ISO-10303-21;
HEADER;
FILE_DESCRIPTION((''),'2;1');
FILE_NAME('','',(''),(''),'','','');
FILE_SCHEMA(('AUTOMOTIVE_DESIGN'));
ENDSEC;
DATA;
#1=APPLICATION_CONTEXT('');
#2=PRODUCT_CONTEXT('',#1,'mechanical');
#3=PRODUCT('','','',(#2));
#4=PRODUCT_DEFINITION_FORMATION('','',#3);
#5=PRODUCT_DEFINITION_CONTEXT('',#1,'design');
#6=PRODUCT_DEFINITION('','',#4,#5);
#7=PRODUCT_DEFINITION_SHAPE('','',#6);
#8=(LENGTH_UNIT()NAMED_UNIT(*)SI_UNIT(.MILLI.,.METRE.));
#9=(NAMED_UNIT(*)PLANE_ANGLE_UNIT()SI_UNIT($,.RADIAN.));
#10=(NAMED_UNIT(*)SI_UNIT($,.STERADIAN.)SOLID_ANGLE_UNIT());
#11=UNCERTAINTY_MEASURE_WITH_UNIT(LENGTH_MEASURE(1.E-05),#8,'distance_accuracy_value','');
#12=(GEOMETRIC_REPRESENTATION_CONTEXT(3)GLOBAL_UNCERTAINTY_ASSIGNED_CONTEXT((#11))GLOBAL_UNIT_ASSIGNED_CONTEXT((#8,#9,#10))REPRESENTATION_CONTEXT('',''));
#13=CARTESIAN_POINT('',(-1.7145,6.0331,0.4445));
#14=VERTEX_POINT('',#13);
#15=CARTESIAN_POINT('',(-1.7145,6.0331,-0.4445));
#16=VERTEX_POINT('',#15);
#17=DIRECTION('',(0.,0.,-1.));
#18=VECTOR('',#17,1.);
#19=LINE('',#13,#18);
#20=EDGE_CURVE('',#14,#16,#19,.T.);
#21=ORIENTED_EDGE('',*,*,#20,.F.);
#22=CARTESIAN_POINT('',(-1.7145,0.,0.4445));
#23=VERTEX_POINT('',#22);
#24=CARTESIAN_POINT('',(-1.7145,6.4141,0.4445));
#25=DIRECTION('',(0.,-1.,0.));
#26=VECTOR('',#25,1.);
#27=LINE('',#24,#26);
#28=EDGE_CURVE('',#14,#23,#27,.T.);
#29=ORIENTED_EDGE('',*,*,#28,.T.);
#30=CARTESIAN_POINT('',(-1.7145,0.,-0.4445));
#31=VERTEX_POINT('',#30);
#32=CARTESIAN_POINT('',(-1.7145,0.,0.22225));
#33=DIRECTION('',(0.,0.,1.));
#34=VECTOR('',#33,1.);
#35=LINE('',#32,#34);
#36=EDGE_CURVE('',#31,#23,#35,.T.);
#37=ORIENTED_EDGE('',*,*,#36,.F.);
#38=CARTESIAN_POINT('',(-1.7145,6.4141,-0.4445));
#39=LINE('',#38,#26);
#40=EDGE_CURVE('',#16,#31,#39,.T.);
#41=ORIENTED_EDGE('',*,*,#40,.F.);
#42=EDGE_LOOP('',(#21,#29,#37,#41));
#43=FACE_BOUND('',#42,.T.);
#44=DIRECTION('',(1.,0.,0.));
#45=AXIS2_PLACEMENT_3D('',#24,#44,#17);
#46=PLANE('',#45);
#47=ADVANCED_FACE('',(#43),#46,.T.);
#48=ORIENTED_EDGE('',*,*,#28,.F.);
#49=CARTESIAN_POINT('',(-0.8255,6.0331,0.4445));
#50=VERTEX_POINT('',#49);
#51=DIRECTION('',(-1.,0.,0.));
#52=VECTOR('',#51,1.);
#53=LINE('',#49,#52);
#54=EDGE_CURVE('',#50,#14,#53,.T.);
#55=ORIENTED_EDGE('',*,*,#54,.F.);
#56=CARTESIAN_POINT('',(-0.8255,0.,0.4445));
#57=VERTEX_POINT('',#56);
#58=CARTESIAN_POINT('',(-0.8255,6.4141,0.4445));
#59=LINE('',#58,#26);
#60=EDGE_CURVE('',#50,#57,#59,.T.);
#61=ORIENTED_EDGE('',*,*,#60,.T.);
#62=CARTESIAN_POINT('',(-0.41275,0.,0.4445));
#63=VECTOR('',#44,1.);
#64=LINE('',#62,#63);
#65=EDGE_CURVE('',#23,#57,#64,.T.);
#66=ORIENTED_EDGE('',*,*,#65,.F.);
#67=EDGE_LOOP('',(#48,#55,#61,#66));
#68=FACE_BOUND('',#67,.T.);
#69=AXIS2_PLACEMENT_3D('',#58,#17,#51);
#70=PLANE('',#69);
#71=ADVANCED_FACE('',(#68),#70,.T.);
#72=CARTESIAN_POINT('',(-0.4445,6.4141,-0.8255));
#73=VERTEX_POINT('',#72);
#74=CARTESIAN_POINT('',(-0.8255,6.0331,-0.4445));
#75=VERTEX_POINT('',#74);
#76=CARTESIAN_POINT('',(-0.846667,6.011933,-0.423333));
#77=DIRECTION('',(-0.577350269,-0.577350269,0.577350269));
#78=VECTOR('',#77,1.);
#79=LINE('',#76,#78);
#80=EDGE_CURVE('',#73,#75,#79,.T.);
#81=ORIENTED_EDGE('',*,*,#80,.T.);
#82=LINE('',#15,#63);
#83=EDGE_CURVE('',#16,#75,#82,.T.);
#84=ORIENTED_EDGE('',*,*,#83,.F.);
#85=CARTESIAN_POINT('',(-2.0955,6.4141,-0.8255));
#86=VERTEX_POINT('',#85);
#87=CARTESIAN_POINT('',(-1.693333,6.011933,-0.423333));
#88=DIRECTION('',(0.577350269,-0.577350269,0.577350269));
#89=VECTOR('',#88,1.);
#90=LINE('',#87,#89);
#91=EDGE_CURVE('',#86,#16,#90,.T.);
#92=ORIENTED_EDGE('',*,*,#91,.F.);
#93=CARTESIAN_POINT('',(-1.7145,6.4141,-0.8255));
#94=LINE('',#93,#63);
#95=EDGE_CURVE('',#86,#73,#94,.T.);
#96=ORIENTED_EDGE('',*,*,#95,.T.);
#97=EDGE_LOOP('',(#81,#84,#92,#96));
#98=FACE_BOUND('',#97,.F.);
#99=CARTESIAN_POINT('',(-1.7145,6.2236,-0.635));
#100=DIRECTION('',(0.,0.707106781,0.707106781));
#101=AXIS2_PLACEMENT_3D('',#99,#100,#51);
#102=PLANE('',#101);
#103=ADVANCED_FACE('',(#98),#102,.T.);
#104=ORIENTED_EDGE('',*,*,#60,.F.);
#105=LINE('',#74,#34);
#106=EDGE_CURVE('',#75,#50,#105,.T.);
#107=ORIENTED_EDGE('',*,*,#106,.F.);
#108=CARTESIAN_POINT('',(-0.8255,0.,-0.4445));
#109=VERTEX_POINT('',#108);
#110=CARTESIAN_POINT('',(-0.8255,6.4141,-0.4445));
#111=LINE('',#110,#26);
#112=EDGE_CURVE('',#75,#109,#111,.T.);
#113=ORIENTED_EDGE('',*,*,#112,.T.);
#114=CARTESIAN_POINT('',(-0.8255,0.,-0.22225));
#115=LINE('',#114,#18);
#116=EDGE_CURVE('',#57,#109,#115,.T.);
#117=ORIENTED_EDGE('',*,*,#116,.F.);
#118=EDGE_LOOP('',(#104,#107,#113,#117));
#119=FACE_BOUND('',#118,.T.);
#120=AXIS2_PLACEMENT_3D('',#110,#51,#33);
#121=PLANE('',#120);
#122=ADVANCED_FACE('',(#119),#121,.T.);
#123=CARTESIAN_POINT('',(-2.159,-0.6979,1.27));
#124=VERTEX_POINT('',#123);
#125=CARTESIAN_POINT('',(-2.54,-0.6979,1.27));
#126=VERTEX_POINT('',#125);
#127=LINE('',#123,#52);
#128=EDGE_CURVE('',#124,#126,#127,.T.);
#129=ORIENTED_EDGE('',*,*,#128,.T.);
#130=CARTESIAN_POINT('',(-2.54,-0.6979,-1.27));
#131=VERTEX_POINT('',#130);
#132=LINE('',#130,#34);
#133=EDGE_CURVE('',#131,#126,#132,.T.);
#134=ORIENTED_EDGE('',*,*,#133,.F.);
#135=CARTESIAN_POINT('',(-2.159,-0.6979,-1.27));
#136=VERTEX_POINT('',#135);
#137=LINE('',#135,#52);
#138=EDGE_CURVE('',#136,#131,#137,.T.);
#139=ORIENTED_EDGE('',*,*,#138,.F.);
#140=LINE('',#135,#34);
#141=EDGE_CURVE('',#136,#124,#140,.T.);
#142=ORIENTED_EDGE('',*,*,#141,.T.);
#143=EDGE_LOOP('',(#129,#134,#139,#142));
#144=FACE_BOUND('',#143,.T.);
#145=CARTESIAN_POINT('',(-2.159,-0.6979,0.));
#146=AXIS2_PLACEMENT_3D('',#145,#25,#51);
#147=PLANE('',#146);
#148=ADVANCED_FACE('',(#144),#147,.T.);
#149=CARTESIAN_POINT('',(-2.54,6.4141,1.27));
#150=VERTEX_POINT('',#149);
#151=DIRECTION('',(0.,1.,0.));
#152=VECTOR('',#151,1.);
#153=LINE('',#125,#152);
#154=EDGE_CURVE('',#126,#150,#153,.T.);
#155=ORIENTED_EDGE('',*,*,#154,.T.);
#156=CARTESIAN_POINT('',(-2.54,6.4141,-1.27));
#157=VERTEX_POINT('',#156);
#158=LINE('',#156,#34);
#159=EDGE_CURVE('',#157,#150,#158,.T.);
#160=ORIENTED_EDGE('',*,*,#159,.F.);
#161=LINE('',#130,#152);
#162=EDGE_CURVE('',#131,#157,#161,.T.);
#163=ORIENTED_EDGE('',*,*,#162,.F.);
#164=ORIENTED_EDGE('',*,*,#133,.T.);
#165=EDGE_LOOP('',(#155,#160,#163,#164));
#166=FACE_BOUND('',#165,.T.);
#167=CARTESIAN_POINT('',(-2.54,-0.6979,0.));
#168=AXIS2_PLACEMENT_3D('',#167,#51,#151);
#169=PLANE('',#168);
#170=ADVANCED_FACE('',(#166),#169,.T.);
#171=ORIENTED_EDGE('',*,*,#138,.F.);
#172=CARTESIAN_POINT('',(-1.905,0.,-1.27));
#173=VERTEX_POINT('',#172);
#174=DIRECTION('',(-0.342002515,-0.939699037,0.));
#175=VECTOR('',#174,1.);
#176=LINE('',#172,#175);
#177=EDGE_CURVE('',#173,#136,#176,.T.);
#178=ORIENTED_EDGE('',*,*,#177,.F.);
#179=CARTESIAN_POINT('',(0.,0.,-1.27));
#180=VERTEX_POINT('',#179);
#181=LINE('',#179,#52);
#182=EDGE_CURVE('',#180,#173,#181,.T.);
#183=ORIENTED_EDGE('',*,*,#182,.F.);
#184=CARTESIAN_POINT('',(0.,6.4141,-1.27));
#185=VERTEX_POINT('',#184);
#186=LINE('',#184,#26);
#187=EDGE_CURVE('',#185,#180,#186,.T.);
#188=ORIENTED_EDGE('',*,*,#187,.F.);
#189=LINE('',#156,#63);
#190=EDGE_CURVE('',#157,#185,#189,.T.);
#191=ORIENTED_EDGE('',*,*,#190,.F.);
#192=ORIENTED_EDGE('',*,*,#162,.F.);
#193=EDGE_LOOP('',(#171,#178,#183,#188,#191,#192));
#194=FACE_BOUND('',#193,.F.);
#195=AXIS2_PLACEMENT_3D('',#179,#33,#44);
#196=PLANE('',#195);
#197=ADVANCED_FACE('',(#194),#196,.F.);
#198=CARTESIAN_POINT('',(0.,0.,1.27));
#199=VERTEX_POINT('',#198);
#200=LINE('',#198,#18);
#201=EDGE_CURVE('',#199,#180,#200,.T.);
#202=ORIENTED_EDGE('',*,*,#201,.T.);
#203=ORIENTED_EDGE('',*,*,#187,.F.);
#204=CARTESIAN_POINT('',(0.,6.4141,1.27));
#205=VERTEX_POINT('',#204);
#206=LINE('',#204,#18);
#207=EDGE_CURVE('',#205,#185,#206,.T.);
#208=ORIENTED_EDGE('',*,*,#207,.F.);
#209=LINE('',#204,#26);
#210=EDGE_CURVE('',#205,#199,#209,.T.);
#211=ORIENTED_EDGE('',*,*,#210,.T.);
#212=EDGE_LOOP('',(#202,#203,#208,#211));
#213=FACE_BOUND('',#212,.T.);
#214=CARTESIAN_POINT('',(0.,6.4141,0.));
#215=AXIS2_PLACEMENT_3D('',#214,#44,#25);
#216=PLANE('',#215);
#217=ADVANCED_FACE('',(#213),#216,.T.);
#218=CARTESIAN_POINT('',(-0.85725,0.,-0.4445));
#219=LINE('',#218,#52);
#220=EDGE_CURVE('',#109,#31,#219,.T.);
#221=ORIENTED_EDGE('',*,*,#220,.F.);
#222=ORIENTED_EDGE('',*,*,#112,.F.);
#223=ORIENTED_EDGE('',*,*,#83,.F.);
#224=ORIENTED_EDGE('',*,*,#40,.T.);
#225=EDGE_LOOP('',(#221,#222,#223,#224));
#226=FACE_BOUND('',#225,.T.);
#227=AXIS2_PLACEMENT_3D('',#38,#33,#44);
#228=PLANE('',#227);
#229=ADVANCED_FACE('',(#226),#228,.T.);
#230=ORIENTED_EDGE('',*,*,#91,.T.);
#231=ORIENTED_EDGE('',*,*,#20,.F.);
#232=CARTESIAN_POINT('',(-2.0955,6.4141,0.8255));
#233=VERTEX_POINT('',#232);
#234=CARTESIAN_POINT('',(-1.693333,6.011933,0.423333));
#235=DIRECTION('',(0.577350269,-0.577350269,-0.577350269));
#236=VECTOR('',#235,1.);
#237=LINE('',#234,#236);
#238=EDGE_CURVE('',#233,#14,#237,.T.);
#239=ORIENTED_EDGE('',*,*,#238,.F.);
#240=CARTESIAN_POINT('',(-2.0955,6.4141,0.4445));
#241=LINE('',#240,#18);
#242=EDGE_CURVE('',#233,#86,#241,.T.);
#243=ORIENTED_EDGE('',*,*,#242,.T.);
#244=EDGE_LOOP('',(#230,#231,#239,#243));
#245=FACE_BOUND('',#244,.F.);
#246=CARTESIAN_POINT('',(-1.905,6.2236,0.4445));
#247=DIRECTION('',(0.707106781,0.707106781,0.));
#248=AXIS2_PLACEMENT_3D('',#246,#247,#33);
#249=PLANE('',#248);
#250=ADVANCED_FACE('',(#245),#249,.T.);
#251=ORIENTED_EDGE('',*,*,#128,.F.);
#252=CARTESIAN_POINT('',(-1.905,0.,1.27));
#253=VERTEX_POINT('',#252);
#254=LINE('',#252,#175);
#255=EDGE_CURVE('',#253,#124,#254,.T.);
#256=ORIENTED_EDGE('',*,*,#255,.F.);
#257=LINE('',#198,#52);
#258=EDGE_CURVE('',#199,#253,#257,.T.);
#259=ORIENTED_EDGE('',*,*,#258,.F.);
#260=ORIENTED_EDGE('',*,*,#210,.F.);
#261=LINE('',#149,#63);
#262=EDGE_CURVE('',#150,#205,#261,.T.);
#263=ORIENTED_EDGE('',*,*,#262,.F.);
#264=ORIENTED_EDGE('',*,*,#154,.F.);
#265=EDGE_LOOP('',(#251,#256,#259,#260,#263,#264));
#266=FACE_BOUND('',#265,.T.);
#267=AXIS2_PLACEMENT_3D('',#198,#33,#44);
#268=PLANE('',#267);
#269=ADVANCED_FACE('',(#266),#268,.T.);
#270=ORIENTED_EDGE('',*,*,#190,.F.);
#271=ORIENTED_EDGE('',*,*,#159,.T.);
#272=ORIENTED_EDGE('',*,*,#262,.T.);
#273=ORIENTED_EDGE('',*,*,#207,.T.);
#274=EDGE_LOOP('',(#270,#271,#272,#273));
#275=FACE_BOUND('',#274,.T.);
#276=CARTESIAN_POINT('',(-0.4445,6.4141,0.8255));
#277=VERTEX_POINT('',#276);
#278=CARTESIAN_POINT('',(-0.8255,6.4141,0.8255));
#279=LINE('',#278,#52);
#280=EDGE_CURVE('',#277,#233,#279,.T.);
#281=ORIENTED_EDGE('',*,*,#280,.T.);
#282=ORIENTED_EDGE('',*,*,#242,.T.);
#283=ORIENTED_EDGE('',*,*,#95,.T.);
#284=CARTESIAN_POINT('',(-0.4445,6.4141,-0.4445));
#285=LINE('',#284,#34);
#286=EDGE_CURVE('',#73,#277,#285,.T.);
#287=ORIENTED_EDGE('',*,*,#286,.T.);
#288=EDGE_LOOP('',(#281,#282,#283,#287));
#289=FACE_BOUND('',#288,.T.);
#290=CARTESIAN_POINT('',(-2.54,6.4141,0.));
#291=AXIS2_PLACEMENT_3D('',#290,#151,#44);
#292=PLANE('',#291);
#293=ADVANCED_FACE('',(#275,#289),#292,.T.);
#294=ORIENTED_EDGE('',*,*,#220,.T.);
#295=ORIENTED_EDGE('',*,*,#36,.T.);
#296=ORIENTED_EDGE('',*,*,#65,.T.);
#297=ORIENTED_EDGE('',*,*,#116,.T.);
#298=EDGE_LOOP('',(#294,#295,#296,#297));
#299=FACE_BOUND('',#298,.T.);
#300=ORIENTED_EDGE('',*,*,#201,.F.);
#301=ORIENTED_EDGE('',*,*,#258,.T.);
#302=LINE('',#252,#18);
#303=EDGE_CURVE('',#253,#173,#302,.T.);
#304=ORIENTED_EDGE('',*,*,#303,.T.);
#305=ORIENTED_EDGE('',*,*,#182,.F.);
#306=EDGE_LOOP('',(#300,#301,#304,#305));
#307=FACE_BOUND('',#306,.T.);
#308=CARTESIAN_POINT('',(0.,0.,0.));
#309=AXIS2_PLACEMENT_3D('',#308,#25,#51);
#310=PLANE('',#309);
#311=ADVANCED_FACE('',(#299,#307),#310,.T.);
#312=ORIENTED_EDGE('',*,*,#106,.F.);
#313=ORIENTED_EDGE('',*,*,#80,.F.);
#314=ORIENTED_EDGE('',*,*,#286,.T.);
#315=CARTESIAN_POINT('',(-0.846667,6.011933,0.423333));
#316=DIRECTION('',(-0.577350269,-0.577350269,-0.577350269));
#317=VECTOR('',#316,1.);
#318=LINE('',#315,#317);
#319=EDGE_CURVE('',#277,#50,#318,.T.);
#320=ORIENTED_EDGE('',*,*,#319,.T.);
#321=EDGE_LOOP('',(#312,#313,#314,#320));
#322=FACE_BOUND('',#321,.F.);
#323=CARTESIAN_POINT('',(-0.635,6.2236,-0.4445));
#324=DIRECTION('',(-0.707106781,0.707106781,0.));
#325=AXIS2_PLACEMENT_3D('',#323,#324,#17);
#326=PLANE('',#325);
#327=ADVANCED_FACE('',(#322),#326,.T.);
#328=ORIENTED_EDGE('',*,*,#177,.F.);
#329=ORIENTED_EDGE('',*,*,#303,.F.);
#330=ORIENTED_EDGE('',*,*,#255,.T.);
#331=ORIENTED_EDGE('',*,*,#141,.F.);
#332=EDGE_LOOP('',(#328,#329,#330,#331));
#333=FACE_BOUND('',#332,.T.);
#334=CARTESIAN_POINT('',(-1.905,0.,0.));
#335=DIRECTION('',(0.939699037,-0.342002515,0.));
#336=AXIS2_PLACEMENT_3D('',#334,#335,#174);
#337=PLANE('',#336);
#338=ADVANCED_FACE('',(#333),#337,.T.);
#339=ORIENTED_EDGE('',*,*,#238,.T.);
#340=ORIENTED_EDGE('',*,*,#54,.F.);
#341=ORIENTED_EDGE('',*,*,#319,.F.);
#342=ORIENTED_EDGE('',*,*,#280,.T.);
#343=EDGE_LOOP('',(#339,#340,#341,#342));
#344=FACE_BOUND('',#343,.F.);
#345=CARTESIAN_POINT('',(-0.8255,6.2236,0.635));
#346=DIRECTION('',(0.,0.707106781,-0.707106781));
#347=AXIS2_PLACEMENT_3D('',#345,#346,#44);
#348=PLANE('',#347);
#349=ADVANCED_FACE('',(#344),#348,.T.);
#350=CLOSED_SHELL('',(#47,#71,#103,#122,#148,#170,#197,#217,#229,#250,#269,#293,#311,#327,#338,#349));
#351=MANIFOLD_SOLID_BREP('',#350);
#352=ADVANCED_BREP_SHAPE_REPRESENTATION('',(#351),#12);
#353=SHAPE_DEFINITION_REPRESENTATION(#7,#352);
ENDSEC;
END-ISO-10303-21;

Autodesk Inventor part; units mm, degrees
ref_plane "YZ Plane" through (0, 0, 0) normal (1, 0, 0) x (0, 1, 0)
ref_plane "XZ Plane" through (0, 0, 0) normal (0, 1, 0) x (-1, 0, 0)
ref_plane "XY Plane" through (0, 0, 0) normal (0, 0, 1) x (1, 0, 0)
sketch "Sketch6" plane through (0, 0, 0) normal (0, 0, 1) x (1, 0, 0)
  line L0 (-2.54, 6.4141) -> (0, 6.4141)
  line L1 (0, 6.4141) -> (0, 0)
  line L2 (0, 0) -> (-1.905, 0)
  line L3 (-1.905, 0) -> (-2.159, -0.6979)
  line L4 (-2.159, -0.6979) -> (-2.54, -0.6979)
  line L5 (-2.54, -0.6979) -> (-2.54, 6.4141)
  dimension "d25" = 2.54
  dimension "d26" = 7.112
  dimension "d27" = 110
  dimension "d28" = 1.905
  dimension "d29" = 0.381
extrude "Extrusion3" add sketch "Sketch6" along normal mid plane 2.54
sketch "Sketch7" plane through (-2.54, 6.4141, -1.27) normal (0, 1, 0) x (1, 0, 0)
  line L0 (0.8255, -0.8255) -> (1.7145, -0.8255)
  line L1 (1.7145, -0.8255) -> (1.7145, -1.7145)
  line L2 (1.7145, -1.7145) -> (0.8255, -1.7145)
  line L3 (0.8255, -1.7145) -> (0.8255, -0.8255)
  line L4 (0.8255, -0.8255) -> (1.7145, -1.7145) construction
  line L5 (1.7145, -0.8255) -> (0.8255, -1.7145) construction
  line L6 (2.54, -2.54) -> (2.54, 0) projected
  line L7 (0, 0) -> (2.54, 0) projected
  point P0 (1.27, -1.27)
  point P1 (1.27, -1.27)
  point P2 (1.27, -1.27)
  point P3 (2.54, -1.27)
  point P4 (1.27, 0)
  dimension "d32" = 0.889
extrude "Extrusion4" cut sketch "Sketch7" against normal through all
chamfer "Chamfer2" distance 0.381 angle 45 4 edges at (-1.27, 6.4141, -0.4445) (-1.7145, 6.4141, 0) (-1.27, 6.4141, 0.4445) (-0.8255, 6.4141, 0)
